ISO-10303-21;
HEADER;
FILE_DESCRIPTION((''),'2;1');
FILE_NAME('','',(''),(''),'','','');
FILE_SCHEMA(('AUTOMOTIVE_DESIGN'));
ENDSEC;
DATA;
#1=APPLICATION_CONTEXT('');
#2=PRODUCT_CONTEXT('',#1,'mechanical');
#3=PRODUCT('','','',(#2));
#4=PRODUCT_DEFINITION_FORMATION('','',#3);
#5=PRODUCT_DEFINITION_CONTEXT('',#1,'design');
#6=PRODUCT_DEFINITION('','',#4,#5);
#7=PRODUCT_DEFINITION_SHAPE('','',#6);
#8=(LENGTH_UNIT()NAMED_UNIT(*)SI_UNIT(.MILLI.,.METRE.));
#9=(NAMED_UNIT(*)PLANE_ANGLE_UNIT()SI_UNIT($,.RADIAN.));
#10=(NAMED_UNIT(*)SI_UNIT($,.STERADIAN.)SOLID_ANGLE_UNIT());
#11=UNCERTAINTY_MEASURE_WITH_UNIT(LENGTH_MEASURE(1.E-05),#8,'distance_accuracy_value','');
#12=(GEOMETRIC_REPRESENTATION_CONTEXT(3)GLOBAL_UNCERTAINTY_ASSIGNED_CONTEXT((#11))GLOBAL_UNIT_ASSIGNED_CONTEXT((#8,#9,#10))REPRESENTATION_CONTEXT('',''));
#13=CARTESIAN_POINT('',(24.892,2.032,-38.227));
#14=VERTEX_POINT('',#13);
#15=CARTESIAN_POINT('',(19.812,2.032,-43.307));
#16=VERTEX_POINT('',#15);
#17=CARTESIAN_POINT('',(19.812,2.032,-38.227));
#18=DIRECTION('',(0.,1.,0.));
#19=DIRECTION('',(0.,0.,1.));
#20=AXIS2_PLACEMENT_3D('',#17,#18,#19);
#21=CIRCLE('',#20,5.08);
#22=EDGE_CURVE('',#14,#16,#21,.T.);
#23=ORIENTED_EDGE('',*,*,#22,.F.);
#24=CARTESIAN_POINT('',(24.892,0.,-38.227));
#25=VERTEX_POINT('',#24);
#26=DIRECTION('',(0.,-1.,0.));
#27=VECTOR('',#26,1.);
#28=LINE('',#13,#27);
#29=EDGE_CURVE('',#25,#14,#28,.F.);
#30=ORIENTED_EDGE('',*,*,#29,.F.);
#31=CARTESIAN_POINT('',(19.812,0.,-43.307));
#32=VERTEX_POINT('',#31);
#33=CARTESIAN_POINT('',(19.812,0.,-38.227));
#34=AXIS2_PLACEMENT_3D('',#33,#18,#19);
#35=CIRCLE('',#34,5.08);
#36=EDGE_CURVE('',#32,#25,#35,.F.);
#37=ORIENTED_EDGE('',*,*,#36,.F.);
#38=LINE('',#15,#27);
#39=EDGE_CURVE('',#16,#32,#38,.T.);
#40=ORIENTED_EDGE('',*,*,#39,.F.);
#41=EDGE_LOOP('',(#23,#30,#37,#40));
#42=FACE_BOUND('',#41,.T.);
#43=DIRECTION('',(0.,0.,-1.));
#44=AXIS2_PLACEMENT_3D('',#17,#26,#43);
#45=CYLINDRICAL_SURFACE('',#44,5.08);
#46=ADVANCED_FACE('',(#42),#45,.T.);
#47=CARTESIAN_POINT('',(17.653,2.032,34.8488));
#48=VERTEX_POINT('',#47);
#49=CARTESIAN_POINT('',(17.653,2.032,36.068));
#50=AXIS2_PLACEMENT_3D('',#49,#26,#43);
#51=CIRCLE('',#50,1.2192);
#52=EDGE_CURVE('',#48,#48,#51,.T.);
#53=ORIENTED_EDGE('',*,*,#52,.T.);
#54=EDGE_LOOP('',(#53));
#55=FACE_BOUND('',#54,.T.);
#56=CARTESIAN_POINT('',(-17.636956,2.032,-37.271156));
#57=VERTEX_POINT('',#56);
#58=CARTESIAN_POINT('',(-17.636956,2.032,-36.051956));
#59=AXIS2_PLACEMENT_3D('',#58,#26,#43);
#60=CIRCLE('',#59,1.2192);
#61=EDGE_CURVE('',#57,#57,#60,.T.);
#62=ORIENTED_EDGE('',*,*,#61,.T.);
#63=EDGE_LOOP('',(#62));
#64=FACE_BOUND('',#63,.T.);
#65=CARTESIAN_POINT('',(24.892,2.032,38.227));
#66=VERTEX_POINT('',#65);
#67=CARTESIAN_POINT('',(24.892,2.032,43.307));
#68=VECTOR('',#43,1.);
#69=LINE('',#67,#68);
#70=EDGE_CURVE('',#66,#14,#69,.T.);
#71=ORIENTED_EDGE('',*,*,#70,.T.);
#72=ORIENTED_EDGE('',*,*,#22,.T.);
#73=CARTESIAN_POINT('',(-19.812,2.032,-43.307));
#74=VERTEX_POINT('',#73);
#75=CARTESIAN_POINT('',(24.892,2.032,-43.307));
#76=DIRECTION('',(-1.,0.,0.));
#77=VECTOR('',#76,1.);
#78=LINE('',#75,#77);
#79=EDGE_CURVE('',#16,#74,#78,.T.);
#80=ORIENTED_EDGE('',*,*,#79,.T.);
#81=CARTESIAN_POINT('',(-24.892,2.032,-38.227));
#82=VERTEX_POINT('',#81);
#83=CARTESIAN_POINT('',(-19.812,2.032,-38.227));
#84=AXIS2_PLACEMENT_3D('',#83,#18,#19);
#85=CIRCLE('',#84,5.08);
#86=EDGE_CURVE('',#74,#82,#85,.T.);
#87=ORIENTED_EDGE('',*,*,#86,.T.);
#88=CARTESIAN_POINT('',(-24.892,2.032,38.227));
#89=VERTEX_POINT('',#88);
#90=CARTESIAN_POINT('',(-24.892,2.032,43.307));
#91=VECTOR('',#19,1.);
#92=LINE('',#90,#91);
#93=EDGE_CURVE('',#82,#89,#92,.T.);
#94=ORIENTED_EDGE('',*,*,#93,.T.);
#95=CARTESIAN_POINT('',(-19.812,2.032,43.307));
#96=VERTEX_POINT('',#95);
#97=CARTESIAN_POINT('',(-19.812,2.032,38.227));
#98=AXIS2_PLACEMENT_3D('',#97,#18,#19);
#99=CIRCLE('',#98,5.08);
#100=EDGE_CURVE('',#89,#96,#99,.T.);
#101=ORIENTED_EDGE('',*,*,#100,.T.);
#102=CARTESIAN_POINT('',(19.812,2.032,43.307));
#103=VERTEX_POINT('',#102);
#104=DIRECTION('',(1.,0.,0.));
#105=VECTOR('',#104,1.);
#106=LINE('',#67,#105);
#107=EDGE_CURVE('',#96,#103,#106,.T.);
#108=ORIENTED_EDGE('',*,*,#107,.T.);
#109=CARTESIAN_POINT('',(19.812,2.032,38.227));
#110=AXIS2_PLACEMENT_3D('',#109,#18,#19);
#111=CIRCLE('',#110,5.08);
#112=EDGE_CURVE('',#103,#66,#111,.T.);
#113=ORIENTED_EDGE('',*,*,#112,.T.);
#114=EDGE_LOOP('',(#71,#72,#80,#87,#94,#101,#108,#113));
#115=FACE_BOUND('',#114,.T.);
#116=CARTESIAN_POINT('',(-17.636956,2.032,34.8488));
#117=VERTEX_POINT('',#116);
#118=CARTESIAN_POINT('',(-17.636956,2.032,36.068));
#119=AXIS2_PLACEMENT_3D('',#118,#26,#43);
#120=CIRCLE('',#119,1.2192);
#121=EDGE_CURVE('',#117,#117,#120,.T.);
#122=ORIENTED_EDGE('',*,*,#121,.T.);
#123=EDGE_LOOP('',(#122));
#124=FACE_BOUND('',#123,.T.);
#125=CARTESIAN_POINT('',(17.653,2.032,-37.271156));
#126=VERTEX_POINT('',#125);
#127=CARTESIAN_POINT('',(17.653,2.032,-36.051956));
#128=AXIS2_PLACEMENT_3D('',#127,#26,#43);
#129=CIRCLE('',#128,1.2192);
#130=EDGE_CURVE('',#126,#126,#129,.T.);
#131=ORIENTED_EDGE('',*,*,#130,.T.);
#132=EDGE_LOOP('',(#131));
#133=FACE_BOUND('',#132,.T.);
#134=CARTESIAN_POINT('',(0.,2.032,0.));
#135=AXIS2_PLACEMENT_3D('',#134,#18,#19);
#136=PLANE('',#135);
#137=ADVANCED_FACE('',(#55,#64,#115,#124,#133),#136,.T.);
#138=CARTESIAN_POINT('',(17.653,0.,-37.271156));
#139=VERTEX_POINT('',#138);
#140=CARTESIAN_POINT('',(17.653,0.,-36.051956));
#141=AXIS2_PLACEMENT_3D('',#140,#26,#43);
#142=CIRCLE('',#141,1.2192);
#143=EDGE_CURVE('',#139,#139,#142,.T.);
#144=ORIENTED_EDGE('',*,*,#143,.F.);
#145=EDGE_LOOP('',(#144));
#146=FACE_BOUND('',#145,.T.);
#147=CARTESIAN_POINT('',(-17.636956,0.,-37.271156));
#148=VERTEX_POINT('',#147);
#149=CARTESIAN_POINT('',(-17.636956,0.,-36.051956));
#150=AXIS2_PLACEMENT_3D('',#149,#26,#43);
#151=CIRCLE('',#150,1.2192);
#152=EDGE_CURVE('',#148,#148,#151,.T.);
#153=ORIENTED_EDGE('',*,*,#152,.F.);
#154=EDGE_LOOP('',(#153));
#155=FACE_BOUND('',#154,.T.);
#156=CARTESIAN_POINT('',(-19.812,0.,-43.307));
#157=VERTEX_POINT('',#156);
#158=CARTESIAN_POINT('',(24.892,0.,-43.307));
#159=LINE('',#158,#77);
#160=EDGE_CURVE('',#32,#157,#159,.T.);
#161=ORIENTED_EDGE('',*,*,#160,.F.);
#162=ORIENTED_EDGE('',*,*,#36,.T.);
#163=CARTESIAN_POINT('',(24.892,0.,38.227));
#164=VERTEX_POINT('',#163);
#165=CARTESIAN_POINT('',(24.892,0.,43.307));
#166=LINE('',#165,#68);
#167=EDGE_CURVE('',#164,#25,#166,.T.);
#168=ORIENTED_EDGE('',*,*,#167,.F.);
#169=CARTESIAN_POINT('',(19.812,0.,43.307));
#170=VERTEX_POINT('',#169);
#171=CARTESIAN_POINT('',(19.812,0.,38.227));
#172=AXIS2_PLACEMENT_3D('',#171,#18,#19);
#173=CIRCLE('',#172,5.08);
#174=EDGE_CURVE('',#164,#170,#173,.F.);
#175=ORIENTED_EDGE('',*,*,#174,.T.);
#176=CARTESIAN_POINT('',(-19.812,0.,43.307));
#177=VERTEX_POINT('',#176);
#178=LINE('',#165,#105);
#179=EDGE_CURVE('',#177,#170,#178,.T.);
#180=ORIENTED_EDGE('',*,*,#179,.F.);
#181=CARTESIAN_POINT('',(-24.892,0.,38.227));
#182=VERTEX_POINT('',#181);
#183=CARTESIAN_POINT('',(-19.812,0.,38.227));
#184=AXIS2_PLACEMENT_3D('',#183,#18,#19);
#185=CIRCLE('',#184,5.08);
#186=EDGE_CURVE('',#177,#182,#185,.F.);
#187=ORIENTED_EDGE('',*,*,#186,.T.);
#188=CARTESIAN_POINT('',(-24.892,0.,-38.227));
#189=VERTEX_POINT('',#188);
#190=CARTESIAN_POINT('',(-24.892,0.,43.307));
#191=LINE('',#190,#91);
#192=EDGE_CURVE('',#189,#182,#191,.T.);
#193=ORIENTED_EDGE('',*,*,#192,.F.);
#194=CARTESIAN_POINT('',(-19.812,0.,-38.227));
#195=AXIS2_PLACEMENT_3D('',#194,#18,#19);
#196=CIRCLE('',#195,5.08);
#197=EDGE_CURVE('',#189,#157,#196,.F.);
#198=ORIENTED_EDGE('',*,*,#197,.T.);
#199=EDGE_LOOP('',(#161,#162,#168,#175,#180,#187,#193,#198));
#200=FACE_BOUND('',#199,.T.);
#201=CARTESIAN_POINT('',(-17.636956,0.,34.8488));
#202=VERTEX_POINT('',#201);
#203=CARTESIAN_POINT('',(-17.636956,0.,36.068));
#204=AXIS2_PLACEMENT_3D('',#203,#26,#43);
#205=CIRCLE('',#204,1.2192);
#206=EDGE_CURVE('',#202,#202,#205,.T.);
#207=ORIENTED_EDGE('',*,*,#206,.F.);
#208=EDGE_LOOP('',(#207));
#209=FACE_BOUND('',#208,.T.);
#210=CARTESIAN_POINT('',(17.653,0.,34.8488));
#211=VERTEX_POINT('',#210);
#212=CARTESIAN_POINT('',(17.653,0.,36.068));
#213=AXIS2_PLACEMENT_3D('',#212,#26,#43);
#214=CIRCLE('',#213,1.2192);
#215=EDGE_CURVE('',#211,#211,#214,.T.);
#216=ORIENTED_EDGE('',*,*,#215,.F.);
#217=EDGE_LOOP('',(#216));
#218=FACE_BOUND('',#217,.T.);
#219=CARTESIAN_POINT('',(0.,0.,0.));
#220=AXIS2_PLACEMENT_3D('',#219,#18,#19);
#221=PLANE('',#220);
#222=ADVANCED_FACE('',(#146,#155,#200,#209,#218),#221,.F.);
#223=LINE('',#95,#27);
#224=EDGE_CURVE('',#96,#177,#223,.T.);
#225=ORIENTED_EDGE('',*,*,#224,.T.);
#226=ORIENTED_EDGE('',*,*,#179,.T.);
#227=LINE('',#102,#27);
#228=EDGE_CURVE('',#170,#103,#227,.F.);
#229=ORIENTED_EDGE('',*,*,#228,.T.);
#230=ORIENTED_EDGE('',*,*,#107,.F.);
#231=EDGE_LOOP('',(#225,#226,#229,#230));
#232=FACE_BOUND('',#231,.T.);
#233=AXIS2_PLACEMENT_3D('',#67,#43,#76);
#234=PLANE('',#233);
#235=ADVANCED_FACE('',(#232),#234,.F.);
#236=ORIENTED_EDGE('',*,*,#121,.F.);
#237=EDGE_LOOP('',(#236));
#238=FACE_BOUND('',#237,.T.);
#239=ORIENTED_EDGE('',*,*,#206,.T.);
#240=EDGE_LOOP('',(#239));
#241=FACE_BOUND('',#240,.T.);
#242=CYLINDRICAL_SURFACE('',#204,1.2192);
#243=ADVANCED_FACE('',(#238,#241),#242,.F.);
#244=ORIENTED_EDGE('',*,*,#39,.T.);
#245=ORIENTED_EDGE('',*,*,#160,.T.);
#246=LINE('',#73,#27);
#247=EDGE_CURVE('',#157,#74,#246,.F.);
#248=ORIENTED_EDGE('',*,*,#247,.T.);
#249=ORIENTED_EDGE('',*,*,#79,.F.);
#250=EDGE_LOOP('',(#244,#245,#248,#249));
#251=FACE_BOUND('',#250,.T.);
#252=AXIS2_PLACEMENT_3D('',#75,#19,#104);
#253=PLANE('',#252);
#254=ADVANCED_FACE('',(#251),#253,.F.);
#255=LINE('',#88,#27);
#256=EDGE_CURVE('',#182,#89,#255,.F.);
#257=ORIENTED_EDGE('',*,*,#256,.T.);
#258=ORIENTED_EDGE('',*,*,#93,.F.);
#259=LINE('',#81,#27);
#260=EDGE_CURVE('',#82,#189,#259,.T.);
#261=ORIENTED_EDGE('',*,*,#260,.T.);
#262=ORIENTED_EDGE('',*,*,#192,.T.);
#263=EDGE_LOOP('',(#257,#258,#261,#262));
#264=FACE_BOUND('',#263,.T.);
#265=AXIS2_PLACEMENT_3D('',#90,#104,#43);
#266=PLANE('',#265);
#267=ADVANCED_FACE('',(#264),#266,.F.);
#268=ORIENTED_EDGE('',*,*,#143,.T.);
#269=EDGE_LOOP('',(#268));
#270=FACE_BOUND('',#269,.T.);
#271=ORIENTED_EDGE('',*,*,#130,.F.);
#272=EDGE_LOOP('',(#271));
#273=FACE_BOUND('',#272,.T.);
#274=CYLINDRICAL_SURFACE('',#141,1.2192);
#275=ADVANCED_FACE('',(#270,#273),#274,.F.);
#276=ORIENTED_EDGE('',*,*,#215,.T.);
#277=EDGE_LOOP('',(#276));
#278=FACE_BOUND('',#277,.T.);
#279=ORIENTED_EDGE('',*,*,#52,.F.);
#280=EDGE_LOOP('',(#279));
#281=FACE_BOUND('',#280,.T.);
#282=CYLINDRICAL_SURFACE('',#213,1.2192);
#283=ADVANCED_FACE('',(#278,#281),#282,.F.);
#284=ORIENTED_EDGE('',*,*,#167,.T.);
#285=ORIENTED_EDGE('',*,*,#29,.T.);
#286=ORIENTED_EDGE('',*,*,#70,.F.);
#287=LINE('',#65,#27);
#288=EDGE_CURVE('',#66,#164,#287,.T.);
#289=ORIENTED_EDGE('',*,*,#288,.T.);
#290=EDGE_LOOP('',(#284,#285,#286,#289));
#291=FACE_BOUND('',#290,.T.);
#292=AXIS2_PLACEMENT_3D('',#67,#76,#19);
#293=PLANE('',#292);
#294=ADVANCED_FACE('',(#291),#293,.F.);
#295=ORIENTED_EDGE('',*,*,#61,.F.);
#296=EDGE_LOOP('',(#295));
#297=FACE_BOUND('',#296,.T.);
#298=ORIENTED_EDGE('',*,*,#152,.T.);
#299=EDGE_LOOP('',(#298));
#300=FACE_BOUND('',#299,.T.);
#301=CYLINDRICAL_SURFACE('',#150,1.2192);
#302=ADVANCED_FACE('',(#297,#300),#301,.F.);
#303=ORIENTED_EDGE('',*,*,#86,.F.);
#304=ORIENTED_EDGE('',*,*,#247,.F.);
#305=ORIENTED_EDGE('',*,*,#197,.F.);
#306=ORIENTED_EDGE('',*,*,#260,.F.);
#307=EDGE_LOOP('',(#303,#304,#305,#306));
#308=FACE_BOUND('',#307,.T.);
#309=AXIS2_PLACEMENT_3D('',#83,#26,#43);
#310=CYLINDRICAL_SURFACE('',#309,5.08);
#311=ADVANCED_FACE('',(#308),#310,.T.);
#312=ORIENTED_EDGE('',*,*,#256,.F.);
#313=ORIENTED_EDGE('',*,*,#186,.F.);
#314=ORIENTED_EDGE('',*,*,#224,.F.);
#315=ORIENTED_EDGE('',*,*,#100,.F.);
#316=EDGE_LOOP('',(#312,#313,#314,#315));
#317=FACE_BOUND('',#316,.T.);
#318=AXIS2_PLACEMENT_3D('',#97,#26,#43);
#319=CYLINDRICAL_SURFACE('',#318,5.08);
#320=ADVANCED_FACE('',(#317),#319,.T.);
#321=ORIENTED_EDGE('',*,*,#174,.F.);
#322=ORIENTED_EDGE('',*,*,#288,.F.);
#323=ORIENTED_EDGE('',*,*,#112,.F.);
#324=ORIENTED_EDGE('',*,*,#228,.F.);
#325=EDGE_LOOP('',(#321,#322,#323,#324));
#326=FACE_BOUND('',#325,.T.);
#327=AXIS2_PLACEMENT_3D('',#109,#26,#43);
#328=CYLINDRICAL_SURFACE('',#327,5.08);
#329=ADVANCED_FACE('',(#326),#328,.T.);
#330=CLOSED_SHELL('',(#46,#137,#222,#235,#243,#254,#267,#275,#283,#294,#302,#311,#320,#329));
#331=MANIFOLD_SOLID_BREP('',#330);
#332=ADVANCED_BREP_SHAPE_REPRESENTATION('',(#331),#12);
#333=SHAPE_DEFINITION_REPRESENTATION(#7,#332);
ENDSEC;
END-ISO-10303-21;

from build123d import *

# Parameters (mm, degrees)
SKETCH1_W             = 49.784
SKETCH1_H             = 86.614
BOSS_EXTRUDE1_DEPTH   = 2.032
FILLET1_R             = 5.08
F_2_CLEARANCE_HOLE1_D = 2.4384


with BuildPart() as part:
    # Sketch1 → Boss-Extrude1 (new body)
    with BuildSketch(Plane(origin=(0, 0, 0), x_dir=(1, 0, 0), z_dir=(0, 1, 0))):
        Rectangle(SKETCH1_W, SKETCH1_H)
    extrude(amount=BOSS_EXTRUDE1_DEPTH)

    # Fillet1
    fillet1_edges = [part.edges().sort_by_distance(p)[0] for p in [
        (-24.892, 1.016, -43.307),
        (24.892, 1.016, -43.307),
        (24.892, 1.016, 43.307),
        (-24.892, 1.016, 43.307),
    ]]
    fillet(fillet1_edges, radius=FILLET1_R)

    # #2 Clearance Hole1 (through all)
    with Locations(Plane(origin=(0, 0, 0), x_dir=(-1, 0, 0), z_dir=(0, -1, 0))):
        with Locations((-17.653, 36.051955783), (17.636955783, 36.051955783), (-17.653, -36.068), (17.636955783, -36.068)):
            Hole(F_2_CLEARANCE_HOLE1_D / 2)


solid = part.part
